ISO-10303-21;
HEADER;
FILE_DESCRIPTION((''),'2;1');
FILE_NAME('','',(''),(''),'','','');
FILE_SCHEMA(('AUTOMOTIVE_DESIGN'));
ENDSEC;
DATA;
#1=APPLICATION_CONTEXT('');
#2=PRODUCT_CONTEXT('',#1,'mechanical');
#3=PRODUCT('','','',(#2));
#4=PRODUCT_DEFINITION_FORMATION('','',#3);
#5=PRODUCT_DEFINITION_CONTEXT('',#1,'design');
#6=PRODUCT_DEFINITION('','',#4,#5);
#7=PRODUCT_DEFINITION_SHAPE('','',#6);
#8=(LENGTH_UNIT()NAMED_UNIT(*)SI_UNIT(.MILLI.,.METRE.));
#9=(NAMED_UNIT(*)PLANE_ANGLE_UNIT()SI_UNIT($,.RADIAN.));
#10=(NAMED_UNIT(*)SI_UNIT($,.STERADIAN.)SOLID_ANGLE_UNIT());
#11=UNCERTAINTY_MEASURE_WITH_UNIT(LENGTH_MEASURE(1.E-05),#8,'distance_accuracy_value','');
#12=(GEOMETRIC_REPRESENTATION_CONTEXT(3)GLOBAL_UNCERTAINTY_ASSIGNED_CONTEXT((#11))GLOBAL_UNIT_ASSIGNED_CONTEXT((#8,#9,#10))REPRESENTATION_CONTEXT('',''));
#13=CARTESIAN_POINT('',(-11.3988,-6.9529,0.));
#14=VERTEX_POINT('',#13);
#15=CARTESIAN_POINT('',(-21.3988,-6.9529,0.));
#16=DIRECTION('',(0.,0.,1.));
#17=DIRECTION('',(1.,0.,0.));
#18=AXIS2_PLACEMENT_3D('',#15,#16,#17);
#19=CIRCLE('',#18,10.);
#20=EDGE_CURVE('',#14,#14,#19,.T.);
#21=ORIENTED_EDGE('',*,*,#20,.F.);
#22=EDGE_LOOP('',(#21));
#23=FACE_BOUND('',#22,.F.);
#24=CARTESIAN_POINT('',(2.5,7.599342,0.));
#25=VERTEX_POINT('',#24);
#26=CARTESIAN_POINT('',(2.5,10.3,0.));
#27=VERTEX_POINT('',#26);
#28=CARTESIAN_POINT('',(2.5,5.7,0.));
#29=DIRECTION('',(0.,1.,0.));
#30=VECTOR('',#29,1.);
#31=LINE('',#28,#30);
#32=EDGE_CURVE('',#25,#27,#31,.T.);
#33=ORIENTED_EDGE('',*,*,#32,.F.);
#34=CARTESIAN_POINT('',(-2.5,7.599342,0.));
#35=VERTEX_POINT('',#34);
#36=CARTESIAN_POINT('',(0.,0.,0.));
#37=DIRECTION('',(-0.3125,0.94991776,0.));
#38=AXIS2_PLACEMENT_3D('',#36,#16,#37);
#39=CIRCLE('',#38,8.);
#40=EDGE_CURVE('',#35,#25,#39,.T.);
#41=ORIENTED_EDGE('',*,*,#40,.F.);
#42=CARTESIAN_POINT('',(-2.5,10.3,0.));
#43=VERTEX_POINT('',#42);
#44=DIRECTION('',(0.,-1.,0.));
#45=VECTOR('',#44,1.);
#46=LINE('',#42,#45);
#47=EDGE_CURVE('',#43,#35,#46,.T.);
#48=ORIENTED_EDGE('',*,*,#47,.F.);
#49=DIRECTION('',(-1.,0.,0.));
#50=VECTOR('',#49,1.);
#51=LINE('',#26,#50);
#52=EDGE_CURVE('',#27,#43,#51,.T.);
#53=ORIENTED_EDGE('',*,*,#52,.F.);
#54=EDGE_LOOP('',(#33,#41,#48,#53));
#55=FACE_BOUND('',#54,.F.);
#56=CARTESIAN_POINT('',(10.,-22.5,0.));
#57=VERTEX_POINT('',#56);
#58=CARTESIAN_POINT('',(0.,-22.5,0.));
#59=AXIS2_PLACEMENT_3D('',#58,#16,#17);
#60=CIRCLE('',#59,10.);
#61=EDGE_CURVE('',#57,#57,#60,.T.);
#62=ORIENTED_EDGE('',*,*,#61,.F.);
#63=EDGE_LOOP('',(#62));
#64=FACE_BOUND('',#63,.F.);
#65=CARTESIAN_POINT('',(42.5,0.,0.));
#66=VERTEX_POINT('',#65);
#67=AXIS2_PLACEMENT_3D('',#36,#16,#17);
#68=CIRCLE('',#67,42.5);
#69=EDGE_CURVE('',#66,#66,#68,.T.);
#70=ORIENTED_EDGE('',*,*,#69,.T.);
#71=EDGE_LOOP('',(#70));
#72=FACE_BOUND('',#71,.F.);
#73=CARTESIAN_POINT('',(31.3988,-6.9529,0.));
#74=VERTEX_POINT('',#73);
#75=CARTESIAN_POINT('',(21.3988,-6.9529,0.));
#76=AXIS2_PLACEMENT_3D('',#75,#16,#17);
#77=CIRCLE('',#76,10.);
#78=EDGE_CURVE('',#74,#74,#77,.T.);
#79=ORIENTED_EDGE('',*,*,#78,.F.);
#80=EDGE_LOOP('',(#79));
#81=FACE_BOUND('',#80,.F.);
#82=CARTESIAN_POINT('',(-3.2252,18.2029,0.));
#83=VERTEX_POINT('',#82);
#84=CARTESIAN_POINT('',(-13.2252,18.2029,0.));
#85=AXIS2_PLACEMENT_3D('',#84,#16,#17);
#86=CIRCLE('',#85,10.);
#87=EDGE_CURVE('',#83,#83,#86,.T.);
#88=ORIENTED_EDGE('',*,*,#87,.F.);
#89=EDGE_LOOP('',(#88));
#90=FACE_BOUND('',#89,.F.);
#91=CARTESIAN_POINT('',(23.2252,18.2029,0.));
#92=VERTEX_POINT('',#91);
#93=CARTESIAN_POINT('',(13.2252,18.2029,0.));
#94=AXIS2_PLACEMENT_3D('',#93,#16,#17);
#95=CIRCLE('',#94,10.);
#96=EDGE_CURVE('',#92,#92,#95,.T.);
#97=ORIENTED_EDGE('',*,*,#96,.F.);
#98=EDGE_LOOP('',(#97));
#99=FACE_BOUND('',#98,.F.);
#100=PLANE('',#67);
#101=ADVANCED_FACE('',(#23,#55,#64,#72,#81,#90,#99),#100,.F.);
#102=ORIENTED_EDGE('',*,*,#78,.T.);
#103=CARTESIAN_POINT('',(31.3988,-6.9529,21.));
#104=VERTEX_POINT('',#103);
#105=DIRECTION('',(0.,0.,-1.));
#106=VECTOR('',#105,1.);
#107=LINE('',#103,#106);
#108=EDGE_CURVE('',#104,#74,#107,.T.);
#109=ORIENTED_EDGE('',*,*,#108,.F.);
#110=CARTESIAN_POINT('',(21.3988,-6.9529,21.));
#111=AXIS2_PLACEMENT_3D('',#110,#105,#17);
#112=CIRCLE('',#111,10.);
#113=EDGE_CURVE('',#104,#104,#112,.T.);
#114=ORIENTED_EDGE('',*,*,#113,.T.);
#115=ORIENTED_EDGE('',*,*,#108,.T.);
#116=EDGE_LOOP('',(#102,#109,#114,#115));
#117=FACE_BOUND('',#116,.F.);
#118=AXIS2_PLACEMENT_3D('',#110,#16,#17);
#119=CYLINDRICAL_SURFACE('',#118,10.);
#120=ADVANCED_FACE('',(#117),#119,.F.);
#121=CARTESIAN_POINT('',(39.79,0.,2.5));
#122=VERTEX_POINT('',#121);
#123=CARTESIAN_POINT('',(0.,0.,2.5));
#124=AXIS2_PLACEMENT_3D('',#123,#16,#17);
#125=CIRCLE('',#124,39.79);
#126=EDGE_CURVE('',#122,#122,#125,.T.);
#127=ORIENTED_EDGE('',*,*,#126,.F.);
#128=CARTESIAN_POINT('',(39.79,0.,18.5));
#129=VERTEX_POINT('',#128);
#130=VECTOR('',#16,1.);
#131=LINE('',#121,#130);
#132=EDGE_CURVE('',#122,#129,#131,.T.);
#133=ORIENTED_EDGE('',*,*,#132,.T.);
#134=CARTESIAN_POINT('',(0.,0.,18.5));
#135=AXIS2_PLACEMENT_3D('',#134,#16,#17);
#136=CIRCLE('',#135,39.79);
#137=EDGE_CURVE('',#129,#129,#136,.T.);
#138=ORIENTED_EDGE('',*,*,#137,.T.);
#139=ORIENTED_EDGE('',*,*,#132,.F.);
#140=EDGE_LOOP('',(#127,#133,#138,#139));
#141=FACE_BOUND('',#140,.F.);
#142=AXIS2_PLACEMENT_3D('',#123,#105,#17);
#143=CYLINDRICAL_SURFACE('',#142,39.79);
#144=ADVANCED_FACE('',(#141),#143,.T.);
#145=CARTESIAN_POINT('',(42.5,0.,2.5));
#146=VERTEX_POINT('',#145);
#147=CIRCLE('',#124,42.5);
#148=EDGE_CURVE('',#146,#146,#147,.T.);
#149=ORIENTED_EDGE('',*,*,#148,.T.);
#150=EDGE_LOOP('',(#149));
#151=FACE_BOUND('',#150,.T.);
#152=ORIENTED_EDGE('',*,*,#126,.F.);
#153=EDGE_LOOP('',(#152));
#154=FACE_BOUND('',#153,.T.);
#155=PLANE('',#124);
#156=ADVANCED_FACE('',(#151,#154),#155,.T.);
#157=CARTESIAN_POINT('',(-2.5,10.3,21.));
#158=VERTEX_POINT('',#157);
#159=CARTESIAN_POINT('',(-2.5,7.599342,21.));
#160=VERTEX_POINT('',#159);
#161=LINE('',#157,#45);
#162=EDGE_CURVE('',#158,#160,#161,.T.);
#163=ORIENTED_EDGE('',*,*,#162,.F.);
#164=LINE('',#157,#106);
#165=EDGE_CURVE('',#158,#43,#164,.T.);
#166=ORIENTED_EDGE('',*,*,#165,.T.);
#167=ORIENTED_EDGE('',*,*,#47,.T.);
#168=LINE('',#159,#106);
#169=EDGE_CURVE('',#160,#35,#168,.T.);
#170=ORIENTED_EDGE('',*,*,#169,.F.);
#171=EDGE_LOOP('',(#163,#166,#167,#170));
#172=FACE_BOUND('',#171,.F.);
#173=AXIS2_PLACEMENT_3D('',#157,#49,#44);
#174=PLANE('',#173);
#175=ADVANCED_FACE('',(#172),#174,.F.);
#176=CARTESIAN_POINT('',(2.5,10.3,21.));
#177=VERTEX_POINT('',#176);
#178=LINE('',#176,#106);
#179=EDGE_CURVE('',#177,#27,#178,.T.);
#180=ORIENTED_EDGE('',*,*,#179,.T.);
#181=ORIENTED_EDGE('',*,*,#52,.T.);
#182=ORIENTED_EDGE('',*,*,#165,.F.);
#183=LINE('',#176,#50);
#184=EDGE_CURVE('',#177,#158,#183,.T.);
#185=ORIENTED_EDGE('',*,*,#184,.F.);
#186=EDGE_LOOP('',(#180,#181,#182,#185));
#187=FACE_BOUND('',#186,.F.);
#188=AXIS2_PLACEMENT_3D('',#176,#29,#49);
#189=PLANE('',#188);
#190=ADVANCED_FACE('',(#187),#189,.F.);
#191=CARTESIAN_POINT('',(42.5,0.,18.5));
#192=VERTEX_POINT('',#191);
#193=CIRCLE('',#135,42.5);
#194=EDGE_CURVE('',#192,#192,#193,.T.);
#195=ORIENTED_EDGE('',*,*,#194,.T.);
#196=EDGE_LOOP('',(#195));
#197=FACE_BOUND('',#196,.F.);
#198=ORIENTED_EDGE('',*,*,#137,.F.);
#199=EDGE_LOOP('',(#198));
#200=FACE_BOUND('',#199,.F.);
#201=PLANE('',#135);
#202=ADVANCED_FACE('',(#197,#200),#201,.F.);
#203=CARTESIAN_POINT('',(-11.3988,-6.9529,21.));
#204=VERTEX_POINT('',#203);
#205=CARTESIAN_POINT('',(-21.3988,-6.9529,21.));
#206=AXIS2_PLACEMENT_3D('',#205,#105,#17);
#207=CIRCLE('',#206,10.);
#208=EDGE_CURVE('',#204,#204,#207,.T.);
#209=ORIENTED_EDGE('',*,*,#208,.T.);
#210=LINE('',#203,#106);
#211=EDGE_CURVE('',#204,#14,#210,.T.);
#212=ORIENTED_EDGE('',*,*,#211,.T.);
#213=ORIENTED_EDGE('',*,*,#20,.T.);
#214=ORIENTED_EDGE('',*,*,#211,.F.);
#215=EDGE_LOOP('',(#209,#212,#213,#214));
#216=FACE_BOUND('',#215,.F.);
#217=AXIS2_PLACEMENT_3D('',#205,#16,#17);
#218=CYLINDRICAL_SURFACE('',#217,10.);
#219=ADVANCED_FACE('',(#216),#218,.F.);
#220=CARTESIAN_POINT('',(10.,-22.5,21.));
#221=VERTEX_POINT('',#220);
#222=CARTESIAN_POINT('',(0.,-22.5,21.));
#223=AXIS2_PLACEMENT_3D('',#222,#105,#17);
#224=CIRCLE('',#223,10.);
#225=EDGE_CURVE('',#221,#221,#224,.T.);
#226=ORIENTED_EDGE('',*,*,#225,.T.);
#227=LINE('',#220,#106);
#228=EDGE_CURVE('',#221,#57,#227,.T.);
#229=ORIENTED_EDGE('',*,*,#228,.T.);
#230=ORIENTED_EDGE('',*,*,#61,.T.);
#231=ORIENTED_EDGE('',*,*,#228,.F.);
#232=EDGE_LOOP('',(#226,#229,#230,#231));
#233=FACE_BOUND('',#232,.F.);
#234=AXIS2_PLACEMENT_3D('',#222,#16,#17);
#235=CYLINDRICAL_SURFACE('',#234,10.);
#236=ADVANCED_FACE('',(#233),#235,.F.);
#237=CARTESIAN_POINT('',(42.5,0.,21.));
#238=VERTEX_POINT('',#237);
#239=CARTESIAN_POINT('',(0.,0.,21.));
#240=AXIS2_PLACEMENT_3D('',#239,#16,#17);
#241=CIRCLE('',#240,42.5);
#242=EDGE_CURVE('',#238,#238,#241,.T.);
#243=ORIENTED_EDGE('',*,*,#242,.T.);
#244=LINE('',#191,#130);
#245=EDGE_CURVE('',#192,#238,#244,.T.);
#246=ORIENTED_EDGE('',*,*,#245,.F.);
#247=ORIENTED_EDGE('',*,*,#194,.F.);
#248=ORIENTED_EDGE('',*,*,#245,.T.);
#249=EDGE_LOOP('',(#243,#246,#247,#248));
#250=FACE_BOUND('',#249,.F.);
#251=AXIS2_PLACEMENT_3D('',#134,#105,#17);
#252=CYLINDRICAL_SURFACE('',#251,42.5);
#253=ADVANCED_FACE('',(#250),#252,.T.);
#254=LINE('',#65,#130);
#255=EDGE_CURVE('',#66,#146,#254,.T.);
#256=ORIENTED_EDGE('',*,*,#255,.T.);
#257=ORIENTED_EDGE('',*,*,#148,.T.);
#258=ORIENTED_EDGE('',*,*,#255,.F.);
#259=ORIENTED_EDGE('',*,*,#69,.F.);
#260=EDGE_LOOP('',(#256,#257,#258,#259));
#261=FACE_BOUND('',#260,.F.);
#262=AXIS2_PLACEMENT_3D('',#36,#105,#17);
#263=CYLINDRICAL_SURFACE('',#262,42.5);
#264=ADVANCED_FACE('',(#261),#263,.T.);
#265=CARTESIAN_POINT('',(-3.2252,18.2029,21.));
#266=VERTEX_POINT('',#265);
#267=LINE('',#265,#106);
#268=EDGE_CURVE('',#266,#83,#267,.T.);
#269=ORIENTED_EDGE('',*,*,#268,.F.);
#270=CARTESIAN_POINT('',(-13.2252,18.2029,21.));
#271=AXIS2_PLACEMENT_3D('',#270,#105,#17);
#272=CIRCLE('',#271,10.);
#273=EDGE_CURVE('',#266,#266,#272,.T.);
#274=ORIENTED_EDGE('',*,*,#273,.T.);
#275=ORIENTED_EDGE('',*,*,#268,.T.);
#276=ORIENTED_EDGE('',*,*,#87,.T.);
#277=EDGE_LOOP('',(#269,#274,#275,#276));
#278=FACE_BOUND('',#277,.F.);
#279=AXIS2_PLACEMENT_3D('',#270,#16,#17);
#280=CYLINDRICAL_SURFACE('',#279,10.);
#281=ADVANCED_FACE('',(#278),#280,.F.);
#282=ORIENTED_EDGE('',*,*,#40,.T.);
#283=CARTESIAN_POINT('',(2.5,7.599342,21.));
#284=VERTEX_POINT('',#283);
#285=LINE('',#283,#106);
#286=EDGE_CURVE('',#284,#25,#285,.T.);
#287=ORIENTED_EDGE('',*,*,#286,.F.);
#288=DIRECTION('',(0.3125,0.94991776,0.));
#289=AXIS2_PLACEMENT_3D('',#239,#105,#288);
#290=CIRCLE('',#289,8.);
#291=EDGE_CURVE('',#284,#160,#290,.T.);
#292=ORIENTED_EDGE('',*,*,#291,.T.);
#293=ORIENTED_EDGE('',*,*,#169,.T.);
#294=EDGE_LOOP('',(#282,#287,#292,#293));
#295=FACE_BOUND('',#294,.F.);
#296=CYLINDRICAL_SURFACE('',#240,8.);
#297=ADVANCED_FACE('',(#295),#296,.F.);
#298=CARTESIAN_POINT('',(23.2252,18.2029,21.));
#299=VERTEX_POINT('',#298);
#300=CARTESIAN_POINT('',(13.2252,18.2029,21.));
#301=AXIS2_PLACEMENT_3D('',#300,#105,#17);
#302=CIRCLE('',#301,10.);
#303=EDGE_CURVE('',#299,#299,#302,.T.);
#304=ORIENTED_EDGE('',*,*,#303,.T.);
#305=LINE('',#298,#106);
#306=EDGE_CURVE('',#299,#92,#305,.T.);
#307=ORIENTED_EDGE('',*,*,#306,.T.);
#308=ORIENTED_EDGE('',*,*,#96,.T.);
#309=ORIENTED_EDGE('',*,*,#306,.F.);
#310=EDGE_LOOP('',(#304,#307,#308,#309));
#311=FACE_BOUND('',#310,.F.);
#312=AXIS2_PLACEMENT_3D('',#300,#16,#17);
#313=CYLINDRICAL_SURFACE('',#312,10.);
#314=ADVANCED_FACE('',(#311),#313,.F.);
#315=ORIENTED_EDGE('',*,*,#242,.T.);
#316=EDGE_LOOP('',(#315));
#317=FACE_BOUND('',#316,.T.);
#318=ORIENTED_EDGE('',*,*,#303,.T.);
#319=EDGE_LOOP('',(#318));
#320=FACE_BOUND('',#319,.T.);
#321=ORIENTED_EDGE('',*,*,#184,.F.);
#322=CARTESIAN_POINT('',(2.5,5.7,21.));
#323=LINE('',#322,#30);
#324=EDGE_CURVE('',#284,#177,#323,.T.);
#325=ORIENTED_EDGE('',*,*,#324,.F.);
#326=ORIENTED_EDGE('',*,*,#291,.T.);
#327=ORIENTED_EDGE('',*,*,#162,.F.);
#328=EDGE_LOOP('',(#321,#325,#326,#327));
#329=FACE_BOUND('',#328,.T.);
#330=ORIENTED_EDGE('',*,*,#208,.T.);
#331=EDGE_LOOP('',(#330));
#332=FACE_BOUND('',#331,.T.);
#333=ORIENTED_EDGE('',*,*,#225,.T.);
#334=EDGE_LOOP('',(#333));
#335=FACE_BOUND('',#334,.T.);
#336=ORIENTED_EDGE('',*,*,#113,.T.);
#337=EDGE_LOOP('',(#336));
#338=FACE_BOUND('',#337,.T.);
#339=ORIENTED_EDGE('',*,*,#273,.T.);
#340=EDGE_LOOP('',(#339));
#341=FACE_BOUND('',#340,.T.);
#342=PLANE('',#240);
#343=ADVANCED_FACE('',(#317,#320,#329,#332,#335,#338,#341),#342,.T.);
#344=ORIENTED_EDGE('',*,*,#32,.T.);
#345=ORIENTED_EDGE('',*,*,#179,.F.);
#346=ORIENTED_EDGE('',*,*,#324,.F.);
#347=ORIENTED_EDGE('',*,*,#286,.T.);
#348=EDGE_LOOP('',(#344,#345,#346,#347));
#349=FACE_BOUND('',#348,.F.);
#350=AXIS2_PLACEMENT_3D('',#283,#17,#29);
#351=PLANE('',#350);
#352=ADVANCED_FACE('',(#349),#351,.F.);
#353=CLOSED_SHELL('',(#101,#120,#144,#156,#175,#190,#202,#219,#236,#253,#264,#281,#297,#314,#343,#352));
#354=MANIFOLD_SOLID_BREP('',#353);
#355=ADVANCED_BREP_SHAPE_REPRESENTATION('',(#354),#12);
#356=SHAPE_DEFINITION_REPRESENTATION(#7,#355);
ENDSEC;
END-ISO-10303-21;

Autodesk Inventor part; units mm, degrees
ref_plane "YZ Plane" through (0, 0, 0) normal (1, 0, 0) x (0, 1, 0)
ref_plane "XZ Plane" through (0, 0, 0) normal (0, 1, 0) x (-1, 0, 0)
ref_plane "XY Plane" through (0, 0, 0) normal (0, 0, 1) x (1, 0, 0)
sketch "Sketch1" plane through (0, 0, 0) normal (0, 0, 1) x (1, 0, 0)
  circle A0 centre (0, 0) radius 42.5
  dimension "d0" = 85
extrude "Extrusion1" add sketch "Sketch1" along normal blind 2.5
sketch "Sketch2" plane through (0, 0, 2.5) normal (0, 0, 1) x (1, 0, 0)
  circle A0 centre (0, 0) radius 39.79
  dimension "d3" = 79.58
extrude "Extrusion2" add sketch "Sketch2" along normal blind 16
sketch "Sketch3" plane through (0, 0, 18.5) normal (0, 0, 1) x (1, 0, 0)
  circle A0 centre (0, 0) radius 42.5
  dimension "d6" = 85
extrude "Extrusion3" add sketch "Sketch3" along normal blind 2.5
sketch "Sketch4" plane through (0, 0, 21) normal (0, 0, 1) x (1, 0, 0)
  circle A0 centre (0, 0) radius 8
  line L0 (-2.5, 5.7) -> (2.5, 5.7)
  line L1 (2.5, 5.7) -> (2.5, 10.3)
  line L2 (2.5, 10.3) -> (-2.5, 10.3)
  line L3 (-2.5, 10.3) -> (-2.5, 5.7)
  line L4 (-2.5, 5.7) -> (2.5, 10.3) construction
  line L5 (2.5, 5.7) -> (-2.5, 10.3) construction
  circle A1 centre (0, 0) radius 22.5
  circle A2 centre (0, -22.5) radius 10
  line L6 (0, 0) -> (0, -22.5)
  line L7 (0, 0) -> (22.5, 0) construction
  circle A3 centre (21.3988, -6.9529) radius 10
  circle A4 centre (13.2252, 18.2029) radius 10
  circle A5 centre (-13.2252, 18.2029) radius 10
  circle A6 centre (-21.3988, -6.9529) radius 10
  point P0 (0, 8)
  dimension "d9" = 16
  dimension "d14" = 45
  dimension "d10" = 5
  dimension "d11" = 4.6
  dimension "d15" = 20
  dimension "d16" = 90
  dimension "d19" = 360
extrude "Extrusion4" cut sketch "Sketch4" against normal blind 21 contours A0 L3 L0 L1 | A2 A1 L6 | L6 A1 A2 | L1 L0 L3 A0 | A0 L3 L2 L1 | A2 A1 | A3 A1 | A1 A3 | A6 A1 | A1 A6 | A4 A1 | A1 A4 | A5 A1 | A1 A5
properties part number "HTD5M 50 Pulley" material "Aluminum 6061"
